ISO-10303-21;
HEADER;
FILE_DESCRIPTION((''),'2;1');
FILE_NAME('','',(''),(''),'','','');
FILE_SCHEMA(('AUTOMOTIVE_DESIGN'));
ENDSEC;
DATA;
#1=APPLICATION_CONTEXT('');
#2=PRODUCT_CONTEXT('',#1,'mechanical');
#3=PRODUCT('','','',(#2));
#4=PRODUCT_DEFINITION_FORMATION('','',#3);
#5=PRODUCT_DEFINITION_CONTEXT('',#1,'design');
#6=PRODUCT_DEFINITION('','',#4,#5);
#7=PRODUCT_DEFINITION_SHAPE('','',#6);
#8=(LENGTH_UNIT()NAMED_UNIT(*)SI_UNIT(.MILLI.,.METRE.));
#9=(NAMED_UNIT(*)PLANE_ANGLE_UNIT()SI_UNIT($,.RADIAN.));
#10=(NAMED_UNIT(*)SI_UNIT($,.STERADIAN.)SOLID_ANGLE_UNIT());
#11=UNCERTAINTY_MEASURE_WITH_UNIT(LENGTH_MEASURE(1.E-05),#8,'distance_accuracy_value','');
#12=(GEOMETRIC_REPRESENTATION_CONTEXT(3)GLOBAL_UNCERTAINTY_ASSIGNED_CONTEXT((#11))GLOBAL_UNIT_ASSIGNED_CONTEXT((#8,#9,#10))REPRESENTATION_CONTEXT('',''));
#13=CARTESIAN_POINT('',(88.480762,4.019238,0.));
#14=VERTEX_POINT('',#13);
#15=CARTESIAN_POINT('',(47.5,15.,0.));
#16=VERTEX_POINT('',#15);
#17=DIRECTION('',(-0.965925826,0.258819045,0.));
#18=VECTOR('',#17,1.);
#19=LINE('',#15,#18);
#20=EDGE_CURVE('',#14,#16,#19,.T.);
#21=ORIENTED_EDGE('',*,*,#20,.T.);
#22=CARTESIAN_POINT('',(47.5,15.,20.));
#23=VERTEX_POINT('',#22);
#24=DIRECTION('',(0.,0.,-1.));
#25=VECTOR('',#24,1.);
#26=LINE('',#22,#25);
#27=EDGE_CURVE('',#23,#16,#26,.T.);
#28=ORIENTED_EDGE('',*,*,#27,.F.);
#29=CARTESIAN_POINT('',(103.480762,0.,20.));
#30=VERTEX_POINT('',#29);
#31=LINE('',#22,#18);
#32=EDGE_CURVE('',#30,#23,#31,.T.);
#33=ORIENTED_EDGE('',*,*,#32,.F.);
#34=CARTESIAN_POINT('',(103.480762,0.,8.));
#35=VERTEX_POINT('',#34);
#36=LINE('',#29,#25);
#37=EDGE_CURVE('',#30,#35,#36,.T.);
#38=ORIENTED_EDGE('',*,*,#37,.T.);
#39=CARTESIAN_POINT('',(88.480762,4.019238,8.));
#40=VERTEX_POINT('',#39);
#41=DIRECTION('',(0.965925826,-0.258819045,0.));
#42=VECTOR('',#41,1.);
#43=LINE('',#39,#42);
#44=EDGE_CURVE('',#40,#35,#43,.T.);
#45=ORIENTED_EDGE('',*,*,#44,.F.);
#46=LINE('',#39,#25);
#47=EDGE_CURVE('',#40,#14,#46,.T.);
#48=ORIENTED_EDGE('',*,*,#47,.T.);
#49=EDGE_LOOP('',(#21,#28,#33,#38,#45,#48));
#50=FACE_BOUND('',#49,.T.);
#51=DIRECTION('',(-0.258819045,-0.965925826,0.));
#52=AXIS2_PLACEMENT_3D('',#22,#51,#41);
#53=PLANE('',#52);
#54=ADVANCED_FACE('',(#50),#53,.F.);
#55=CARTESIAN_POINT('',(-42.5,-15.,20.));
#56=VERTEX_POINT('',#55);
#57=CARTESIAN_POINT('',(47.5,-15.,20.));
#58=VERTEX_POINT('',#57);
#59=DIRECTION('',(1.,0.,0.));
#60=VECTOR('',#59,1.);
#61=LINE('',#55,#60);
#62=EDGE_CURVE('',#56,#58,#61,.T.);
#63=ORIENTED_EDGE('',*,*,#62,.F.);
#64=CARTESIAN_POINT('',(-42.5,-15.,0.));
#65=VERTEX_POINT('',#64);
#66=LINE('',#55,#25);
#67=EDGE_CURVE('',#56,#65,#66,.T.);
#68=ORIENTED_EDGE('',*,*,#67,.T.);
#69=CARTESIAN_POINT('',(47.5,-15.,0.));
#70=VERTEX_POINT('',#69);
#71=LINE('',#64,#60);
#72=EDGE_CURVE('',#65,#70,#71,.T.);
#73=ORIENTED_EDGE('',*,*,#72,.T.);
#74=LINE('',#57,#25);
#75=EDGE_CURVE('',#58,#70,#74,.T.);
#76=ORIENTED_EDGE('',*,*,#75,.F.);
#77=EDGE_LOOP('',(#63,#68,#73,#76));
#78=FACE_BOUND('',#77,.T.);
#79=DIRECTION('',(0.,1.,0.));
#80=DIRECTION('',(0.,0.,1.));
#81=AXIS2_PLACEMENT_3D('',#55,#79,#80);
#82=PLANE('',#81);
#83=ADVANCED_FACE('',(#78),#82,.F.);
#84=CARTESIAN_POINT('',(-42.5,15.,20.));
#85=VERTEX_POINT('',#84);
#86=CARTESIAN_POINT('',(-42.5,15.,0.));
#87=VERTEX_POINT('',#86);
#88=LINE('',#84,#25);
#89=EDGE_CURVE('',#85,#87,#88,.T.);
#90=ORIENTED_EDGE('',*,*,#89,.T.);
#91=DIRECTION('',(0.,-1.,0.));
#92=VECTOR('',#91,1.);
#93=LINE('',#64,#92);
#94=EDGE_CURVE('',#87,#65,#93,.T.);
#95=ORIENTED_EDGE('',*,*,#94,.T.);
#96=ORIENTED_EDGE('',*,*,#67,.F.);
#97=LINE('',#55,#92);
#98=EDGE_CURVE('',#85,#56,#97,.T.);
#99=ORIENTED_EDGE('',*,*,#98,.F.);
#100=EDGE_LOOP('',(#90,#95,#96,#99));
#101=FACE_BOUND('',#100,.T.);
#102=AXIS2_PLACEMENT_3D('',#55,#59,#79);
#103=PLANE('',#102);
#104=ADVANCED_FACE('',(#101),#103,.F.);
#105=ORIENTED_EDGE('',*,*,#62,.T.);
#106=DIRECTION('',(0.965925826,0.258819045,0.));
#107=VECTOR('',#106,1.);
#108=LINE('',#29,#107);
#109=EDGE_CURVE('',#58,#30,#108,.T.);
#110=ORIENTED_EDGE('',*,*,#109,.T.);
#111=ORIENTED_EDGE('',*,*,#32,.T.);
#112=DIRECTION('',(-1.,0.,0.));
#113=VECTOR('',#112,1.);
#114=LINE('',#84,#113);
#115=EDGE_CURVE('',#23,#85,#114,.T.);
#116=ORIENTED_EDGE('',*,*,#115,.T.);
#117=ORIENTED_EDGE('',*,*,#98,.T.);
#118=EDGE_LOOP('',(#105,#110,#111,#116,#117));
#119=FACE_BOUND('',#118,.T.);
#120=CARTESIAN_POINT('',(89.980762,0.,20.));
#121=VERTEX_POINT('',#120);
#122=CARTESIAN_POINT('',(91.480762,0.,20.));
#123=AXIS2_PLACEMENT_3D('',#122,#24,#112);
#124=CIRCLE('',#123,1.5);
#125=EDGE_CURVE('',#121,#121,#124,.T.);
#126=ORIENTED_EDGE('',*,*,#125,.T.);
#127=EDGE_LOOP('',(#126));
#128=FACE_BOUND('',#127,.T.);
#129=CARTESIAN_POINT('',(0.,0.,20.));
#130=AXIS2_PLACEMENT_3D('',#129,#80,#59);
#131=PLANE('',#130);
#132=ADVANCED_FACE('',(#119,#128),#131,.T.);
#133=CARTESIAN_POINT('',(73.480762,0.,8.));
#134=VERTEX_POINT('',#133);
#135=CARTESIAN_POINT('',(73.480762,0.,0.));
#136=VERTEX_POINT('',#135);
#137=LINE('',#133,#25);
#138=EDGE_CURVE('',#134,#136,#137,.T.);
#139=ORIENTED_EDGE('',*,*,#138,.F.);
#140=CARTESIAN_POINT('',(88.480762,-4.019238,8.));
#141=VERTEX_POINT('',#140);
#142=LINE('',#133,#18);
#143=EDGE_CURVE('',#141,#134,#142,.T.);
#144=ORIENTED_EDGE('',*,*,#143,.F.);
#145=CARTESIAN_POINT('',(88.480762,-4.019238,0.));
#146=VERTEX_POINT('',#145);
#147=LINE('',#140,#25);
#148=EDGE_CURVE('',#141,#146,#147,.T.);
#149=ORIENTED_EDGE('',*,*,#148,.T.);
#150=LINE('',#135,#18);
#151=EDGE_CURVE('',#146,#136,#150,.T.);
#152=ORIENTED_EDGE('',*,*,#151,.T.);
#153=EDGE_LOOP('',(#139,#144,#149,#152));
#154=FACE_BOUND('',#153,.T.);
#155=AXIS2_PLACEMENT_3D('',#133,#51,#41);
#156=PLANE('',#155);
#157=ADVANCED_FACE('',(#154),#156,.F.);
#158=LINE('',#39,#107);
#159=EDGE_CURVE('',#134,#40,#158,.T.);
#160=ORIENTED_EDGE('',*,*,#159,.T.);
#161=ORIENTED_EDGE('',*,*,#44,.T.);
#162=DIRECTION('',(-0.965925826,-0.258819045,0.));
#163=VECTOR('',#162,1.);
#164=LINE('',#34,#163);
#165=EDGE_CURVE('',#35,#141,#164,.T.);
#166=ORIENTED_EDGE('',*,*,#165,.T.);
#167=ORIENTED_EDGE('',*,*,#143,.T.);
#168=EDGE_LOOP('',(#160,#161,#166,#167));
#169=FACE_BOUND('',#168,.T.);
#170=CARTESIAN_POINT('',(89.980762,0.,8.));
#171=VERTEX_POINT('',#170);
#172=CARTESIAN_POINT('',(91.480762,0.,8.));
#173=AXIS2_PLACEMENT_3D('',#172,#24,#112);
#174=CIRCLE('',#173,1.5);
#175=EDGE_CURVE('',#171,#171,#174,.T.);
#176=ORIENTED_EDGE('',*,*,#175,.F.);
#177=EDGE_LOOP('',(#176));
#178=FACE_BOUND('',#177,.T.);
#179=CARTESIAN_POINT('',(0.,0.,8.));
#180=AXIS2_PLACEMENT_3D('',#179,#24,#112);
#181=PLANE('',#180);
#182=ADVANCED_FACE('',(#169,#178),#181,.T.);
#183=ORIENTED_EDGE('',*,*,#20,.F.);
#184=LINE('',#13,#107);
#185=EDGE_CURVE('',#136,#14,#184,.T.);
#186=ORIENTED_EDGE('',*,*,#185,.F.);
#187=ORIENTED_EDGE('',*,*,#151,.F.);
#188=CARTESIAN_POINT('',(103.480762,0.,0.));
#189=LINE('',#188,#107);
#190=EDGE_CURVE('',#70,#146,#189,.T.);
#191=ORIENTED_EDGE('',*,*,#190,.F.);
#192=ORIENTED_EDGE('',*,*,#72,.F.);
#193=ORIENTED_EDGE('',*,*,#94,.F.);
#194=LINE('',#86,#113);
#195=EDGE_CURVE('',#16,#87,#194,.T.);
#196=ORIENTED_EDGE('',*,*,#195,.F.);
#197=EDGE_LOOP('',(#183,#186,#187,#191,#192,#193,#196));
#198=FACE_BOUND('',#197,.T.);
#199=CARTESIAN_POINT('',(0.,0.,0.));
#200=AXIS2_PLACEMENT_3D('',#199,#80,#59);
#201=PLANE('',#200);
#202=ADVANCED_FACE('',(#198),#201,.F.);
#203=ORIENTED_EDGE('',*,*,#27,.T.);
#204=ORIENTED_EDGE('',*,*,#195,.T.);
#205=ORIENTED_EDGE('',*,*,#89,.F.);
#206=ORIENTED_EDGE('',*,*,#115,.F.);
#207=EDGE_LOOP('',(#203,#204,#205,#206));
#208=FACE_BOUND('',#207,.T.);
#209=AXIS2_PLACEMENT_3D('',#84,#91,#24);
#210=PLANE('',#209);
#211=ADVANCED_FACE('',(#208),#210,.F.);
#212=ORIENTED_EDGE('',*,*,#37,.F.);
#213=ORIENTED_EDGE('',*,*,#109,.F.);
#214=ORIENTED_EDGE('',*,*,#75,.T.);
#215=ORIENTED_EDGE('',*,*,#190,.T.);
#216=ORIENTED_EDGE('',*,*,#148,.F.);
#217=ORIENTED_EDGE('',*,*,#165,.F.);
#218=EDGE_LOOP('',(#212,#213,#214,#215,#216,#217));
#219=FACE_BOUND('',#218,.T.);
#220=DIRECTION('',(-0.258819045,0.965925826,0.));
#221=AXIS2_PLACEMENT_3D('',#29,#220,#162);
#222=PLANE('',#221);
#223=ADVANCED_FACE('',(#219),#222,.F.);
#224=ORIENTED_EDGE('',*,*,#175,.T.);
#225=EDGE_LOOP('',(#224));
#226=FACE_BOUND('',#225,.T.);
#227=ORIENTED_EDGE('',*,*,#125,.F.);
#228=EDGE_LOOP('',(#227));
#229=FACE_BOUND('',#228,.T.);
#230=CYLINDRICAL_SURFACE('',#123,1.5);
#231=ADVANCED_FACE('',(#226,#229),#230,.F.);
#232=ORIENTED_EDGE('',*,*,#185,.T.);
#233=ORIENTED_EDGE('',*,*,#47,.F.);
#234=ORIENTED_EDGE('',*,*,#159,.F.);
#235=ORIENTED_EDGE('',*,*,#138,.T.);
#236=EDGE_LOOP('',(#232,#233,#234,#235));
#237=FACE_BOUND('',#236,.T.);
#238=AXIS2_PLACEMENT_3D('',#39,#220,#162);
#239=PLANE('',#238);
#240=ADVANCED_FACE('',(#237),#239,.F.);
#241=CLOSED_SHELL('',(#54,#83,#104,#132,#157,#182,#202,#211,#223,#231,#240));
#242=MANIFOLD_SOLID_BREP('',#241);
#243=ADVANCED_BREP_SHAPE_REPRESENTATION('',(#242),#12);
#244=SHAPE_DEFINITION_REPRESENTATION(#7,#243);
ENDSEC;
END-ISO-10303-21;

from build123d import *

# Parameters (mm, degrees)
EXTRUDE_1_DEPTH     = 20
CUT_EXTRUDE_1_DEPTH = 8
SKETCH_4_R          = 1.5
CUT_EXTRUDE_2_DEPTH = 13


with BuildPart() as part:
    # 草图1 → 凸台-拉伸1 (new body)
    with BuildSketch(Plane.XY):
        Polygon((47.5, 15), (103.480762114, 0), (47.5, -15), (-42.5, -15), (-42.5, 15), align=None)
    extrude(amount=EXTRUDE_1_DEPTH)

    # 草图2 → 切除-拉伸1 (cut)
    with BuildSketch(Plane(origin=(0, 0, 0), x_dir=(-1, 0, 0), z_dir=(0, 0, -1))):
        Polygon((-88.480762114, 4.019237886), (-73.480762114, 0), (-88.480762114, -4.019237886), (-103.480762114, 0), align=None)
    extrude(amount=-CUT_EXTRUDE_1_DEPTH, mode=Mode.SUBTRACT)

    # 草图4 → 切除-拉伸2 (cut, through all)
    with BuildSketch(Plane(origin=(0, 0, 8), x_dir=(-1, 0, 0), z_dir=(0, 0, -1))):
        with Locations((-91.480762114, 0)):
            Circle(SKETCH_4_R)
    extrude(amount=-CUT_EXTRUDE_2_DEPTH, mode=Mode.SUBTRACT)


solid = part.part
